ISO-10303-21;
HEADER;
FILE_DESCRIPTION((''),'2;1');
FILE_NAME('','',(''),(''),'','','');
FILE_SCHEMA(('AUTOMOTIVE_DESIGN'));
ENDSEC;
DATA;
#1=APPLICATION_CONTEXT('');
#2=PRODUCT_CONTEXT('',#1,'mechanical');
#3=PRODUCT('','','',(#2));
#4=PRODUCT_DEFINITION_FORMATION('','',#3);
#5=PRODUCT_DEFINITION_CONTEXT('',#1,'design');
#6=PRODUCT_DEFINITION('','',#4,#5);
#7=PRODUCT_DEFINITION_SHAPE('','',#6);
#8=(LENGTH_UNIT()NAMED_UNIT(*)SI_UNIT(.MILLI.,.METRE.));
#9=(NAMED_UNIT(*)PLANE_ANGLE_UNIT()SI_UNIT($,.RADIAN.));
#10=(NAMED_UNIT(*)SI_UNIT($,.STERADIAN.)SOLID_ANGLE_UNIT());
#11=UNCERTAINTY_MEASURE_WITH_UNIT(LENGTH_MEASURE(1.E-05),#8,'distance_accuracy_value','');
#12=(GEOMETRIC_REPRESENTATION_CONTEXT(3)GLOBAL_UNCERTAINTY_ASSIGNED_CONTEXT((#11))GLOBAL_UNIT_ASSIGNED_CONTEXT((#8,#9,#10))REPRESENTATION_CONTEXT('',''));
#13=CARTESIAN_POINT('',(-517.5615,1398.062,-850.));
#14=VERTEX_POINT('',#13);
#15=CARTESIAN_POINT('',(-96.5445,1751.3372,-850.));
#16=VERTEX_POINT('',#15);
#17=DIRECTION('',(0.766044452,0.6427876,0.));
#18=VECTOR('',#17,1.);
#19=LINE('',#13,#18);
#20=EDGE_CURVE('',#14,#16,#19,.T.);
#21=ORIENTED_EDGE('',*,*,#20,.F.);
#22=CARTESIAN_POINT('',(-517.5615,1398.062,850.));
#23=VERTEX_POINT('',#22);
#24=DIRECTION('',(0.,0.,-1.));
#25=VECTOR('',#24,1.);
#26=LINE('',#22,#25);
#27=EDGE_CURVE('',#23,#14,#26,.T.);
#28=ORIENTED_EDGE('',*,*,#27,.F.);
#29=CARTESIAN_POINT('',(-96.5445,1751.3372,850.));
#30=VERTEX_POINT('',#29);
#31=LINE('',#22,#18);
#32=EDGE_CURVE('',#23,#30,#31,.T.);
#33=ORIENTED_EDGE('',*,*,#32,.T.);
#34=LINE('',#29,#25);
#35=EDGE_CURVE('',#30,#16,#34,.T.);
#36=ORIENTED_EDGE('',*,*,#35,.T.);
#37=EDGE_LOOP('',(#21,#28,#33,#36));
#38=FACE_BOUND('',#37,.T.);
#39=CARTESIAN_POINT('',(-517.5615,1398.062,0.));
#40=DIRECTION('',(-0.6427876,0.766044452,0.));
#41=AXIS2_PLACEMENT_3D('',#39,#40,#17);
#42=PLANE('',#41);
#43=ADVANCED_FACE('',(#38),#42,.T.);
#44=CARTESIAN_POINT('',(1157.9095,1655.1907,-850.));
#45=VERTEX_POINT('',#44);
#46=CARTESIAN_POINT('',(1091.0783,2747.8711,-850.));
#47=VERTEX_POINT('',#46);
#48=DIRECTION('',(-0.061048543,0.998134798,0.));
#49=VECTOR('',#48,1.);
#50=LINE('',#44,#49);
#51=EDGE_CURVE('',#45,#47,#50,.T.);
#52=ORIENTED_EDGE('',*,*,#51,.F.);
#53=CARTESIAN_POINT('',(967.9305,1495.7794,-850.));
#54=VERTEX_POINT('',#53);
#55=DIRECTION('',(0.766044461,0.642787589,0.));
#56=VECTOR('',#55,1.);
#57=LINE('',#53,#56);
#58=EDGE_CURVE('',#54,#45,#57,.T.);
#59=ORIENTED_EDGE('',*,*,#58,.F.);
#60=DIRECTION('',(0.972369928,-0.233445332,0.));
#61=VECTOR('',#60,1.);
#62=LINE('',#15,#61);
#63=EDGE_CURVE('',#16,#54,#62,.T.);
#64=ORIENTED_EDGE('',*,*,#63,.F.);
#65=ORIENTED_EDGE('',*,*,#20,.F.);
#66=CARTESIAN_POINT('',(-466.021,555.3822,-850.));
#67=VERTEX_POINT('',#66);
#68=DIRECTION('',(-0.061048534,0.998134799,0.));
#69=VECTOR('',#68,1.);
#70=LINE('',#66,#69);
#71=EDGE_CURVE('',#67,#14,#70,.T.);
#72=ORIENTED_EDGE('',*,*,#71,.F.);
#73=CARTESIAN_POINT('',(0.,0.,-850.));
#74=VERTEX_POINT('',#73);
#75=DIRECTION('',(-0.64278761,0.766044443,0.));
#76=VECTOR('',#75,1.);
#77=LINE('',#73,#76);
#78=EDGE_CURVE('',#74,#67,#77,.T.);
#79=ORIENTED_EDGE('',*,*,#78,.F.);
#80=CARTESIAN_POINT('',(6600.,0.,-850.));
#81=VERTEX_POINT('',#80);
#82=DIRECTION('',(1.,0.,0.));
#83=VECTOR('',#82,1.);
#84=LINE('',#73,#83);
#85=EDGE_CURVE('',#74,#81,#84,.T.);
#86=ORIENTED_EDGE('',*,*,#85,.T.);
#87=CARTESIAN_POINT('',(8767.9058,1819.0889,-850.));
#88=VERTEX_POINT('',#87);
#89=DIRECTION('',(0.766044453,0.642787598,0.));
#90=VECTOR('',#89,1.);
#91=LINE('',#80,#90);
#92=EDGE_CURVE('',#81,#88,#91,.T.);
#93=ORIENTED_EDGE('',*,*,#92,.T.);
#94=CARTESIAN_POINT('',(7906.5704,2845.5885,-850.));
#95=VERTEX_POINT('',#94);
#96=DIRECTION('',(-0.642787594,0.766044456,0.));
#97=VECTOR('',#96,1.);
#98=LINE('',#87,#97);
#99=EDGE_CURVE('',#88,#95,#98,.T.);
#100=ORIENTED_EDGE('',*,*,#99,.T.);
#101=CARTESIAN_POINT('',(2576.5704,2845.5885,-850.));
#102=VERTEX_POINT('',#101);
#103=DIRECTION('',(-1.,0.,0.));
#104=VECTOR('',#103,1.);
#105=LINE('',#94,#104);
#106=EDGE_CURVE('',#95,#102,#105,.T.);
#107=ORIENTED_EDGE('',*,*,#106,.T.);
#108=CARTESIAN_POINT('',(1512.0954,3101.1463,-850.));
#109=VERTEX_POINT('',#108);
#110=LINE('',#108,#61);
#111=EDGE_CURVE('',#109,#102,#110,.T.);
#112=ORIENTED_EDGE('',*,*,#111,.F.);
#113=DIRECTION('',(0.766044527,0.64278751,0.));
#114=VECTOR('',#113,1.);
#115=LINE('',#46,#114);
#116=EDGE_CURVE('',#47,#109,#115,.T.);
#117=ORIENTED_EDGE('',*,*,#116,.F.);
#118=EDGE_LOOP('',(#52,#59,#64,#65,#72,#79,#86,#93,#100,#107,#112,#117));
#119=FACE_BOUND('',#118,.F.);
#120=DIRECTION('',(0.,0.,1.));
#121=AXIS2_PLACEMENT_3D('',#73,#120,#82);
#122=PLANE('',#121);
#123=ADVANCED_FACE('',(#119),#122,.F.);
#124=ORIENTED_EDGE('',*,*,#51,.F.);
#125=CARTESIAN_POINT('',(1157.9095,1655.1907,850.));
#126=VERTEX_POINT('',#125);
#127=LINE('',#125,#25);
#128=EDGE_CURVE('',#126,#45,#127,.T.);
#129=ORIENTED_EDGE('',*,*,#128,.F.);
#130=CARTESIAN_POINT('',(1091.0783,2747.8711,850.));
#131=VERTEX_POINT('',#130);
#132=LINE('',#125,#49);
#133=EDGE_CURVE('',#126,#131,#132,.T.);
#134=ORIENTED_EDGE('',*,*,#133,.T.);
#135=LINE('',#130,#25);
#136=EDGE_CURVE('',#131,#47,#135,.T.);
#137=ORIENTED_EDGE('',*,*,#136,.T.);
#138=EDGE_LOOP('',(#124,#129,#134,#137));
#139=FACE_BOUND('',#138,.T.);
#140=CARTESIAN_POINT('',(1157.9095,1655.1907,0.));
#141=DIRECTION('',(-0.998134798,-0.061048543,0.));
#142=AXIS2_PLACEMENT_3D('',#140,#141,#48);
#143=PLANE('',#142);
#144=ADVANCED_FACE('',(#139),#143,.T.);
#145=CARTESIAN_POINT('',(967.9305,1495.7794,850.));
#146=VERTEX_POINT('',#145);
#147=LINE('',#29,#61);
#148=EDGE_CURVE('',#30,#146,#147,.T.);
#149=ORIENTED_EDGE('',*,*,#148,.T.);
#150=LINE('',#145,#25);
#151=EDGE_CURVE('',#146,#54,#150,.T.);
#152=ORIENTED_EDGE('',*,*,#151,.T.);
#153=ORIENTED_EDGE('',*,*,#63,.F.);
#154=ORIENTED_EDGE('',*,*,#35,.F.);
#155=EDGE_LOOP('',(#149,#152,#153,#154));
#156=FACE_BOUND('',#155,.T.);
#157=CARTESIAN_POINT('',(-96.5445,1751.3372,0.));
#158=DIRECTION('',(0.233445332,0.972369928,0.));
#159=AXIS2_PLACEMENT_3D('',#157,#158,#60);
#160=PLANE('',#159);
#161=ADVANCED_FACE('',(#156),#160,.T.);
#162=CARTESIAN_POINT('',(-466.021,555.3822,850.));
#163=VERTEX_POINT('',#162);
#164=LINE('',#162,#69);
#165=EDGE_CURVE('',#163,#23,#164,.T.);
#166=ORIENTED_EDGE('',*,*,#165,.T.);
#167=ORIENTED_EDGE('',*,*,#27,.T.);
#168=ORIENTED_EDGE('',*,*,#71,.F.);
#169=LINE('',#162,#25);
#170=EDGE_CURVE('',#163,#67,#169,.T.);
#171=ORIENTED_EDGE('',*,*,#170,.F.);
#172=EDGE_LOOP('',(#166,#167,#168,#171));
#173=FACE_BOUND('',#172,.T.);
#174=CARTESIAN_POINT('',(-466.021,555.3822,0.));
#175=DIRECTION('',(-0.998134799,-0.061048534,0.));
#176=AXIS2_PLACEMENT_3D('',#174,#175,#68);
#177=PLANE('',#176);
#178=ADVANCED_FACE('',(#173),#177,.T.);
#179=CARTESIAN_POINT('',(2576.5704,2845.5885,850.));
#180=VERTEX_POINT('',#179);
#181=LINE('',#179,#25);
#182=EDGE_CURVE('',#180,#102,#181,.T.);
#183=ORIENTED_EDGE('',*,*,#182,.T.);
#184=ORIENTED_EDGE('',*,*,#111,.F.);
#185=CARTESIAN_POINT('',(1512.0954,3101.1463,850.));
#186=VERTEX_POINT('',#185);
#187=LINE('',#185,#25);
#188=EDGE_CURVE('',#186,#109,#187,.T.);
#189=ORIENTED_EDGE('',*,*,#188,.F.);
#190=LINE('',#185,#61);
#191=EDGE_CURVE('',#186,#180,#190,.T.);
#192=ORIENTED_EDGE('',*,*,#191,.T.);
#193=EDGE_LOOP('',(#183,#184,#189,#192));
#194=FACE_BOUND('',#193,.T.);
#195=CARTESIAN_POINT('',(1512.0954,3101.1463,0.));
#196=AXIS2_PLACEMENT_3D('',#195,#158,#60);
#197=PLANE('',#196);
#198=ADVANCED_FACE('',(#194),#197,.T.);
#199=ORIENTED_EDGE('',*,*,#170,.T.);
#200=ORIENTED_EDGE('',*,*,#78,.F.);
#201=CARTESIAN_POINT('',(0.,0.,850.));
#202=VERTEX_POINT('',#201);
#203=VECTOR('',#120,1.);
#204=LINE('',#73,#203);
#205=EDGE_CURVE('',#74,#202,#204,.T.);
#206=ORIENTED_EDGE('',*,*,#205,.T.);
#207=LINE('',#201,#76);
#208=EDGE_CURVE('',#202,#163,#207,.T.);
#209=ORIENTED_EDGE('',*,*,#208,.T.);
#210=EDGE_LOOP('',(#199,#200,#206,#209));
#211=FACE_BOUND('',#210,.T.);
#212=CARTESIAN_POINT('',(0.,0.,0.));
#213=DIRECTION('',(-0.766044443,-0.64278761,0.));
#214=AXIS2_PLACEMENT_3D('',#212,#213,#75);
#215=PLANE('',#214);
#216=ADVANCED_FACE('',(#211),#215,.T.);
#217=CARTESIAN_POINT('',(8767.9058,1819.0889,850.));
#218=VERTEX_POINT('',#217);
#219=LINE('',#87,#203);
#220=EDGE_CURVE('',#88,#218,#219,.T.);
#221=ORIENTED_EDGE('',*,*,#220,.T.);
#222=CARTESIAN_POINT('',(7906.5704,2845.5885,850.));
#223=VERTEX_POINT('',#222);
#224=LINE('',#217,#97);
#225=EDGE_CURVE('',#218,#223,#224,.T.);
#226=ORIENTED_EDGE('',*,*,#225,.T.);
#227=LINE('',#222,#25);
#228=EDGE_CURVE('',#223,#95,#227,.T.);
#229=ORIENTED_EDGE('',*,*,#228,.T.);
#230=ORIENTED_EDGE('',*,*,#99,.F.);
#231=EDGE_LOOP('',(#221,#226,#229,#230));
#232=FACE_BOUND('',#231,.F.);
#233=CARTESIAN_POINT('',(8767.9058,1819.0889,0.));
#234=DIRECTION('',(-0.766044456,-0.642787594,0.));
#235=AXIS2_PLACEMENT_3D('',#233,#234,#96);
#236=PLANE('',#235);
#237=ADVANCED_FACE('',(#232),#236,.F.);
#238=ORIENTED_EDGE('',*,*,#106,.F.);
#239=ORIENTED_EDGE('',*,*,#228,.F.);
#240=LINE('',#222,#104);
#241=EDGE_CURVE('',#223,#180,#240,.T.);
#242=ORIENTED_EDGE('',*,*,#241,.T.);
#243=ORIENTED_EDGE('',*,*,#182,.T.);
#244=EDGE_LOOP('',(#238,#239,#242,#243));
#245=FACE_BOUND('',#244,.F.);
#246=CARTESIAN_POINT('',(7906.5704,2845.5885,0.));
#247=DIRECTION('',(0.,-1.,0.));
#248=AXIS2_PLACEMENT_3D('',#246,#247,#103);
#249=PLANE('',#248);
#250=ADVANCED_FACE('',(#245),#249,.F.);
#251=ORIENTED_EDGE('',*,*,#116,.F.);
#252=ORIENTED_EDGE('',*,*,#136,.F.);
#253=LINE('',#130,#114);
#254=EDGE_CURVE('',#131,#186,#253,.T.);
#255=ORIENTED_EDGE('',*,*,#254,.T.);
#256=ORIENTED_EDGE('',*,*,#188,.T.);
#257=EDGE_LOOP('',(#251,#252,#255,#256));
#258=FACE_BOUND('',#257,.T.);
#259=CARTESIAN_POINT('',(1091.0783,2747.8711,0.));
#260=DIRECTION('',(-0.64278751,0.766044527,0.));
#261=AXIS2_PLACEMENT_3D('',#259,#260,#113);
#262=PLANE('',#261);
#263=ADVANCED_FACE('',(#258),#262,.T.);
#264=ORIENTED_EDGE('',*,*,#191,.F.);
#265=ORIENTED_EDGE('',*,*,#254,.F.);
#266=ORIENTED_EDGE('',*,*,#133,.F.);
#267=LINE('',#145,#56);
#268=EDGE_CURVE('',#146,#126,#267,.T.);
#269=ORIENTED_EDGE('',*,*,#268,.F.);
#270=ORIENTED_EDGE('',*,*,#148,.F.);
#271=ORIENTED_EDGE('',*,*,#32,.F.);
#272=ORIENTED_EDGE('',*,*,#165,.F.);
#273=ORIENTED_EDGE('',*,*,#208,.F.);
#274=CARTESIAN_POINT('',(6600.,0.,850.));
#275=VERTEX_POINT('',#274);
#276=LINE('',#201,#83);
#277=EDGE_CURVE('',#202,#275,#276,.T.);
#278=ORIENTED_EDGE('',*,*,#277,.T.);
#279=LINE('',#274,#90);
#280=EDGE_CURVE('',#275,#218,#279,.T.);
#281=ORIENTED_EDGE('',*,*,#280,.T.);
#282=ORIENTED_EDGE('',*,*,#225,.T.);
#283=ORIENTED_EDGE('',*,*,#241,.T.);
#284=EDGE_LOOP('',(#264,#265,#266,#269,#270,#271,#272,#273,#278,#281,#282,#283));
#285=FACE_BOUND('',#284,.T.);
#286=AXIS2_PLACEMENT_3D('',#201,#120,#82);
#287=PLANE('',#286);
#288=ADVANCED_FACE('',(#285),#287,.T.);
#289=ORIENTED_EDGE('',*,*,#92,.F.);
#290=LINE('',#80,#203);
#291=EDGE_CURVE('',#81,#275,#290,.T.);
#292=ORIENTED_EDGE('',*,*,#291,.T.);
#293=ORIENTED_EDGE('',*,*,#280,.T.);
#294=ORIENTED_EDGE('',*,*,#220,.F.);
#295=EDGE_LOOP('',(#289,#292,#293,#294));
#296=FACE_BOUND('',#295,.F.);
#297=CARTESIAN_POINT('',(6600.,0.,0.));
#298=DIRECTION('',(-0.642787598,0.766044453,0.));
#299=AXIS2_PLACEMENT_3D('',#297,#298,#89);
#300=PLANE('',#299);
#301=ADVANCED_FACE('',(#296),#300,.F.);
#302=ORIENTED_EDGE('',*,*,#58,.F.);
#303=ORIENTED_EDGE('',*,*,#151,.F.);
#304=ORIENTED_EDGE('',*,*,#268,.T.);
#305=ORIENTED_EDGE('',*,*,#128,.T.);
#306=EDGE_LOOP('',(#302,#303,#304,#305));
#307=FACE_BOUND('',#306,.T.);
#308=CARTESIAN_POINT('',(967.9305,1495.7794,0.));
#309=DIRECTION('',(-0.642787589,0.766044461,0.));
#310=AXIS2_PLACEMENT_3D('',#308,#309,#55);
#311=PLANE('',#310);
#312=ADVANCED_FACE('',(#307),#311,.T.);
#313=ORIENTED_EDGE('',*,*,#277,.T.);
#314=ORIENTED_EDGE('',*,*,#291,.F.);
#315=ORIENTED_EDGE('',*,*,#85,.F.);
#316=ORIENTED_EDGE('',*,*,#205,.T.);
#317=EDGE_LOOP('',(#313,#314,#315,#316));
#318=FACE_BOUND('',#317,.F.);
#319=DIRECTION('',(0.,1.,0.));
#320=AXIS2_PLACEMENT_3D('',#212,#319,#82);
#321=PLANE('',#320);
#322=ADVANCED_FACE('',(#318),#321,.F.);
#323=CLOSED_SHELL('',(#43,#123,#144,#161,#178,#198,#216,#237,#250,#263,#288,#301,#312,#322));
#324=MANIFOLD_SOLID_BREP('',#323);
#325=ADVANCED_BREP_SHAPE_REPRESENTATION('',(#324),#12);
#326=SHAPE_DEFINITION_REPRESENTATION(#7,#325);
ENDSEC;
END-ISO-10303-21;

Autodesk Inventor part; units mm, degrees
ref_plane "YZ Plane" through (0, 0, 0) normal (1, 0, 0) x (0, 1, 0)
ref_plane "XZ Plane" through (0, 0, 0) normal (0, 1, 0) x (-1, 0, 0)
ref_plane "XY Plane" through (0, 0, 0) normal (0, 0, 1) x (1, 0, 0)
sketch "Sketch1" plane through (0, 0, 0) normal (0, 0, 1) x (1, 0, 0)
  line L0 (0, 0) -> (6600, 0)
  line L1 (6600, 0) -> (8767.9058, 1819.0889)
  line L2 (8767.9058, 1819.0889) -> (7906.5704, 2845.5885)
  line L3 (7906.5704, 2845.5885) -> (2576.5704, 2845.5885)
  line L4 (8165.3393, 2537.1997) -> (7533.6745, 2007.1699) construction
  line L5 (7533.6745, 2007.1699) -> (6830.1578, 2845.5885) construction
  line L6 (0, 0) -> (-466.021, 555.3822)
  line L7 (-466.021, 555.3822) -> (-517.5615, 1398.062)
  line L8 (-517.5615, 1398.062) -> (-96.5445, 1751.3372)
  line L9 (-96.5445, 1751.3372) -> (967.9305, 1495.7794)
  line L10 (967.9305, 1495.7794) -> (1157.9095, 1655.1907)
  line L11 (1157.9095, 1655.1907) -> (1091.0783, 2747.8711)
  line L12 (1091.0783, 2747.8711) -> (1512.0954, 3101.1463)
  line L13 (1512.0954, 3101.1463) -> (2576.5704, 2845.5885)
  dimension "d0" = 6600
  dimension "d1" = 2830
  dimension "d2" = 140
  dimension "d3" = 1340
  dimension "d4" = 5330
  dimension "d5" = 725
  dimension "d6" = 73
  dimension "d7" = 73
  dimension "d8" = 880
  dimension "d9" = 248
  dimension "d10" = 73
extrude "Extrusion1" add sketch "Sketch1" along normal mid plane 1700
equation "\"d7\" = d6"
equation "\"d10\" = d6"
properties part number "отстойник осветлитель Dummu 2"
